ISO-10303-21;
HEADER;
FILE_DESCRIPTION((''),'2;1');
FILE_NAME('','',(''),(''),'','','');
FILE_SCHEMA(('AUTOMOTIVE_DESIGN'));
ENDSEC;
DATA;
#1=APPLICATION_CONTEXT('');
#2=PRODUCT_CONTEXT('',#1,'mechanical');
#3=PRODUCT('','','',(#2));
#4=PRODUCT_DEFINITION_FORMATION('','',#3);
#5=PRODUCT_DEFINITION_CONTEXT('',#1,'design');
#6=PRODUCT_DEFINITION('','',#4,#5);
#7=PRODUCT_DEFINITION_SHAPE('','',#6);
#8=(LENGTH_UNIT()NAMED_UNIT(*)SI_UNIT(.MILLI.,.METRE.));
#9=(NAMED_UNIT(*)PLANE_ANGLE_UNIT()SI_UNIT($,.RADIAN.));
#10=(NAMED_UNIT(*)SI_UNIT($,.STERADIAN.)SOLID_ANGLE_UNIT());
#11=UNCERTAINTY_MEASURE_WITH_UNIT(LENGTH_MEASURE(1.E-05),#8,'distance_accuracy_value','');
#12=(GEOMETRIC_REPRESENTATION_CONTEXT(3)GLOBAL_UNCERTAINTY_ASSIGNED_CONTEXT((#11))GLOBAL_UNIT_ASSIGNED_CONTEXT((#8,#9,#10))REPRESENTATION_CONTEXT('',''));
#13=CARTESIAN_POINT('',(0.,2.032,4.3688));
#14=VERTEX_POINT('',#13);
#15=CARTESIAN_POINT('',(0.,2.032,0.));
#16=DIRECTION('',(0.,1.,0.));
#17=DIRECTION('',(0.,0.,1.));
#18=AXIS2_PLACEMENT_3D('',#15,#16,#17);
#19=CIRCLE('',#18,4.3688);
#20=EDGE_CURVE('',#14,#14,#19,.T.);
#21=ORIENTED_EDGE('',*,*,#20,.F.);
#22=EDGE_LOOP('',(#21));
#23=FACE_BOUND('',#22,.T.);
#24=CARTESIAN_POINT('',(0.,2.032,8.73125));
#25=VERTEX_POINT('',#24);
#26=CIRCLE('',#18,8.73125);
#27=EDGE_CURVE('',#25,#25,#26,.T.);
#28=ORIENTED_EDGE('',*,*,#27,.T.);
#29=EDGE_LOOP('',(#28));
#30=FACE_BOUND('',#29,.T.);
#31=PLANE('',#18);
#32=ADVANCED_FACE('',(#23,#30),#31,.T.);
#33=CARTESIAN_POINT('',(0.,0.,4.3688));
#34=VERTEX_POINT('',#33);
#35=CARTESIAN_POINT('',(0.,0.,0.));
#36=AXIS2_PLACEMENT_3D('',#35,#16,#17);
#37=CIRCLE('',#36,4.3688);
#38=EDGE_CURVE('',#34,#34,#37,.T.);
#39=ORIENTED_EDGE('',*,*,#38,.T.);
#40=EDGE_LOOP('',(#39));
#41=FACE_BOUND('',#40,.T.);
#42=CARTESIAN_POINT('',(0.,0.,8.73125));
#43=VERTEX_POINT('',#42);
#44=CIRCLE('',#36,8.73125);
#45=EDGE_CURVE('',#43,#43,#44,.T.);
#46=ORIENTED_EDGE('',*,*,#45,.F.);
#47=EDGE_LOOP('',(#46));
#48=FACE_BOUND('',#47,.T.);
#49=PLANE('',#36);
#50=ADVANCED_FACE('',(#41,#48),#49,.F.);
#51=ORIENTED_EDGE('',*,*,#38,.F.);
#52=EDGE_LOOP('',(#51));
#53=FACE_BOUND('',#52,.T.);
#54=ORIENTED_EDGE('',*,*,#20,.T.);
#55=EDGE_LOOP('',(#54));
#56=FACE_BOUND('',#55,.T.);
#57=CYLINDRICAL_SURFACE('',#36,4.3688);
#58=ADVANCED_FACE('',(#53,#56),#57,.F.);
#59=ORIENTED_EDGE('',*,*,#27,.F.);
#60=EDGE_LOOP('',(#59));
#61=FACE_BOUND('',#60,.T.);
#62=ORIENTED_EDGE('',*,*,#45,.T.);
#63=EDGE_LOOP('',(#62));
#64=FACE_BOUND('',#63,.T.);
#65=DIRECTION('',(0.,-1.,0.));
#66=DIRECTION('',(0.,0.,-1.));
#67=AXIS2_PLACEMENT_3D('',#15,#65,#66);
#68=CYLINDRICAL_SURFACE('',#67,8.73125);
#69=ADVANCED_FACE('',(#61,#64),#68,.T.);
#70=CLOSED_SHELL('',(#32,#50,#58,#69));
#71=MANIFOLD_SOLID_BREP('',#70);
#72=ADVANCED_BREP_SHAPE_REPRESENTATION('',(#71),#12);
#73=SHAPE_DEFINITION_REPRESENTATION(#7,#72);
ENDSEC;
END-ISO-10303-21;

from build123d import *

# Parameters (mm, degrees)
SKETCH1_R           = 8.73125
BOSS_EXTRUDE1_DEPTH = 2.032
SKETCH5_R           = 4.3688
CUT_EXTRUDE1_DEPTH  = 3.032


with BuildPart() as part:
    # Sketch1 → Boss-Extrude1 (new body)
    with BuildSketch(Plane(origin=(0, 0, 0), x_dir=(1, 0, 0), z_dir=(0, 1, 0))):
        Circle(SKETCH1_R)
    extrude(amount=BOSS_EXTRUDE1_DEPTH)

    # Sketch5 → Cut-Extrude1 (cut, through all)
    with BuildSketch(Plane(origin=(0, 2.032, 0), x_dir=(-1, 0, 0), z_dir=(0, 1, 0))):
        Circle(SKETCH5_R)
    extrude(amount=-CUT_EXTRUDE1_DEPTH, mode=Mode.SUBTRACT)


solid = part.part
